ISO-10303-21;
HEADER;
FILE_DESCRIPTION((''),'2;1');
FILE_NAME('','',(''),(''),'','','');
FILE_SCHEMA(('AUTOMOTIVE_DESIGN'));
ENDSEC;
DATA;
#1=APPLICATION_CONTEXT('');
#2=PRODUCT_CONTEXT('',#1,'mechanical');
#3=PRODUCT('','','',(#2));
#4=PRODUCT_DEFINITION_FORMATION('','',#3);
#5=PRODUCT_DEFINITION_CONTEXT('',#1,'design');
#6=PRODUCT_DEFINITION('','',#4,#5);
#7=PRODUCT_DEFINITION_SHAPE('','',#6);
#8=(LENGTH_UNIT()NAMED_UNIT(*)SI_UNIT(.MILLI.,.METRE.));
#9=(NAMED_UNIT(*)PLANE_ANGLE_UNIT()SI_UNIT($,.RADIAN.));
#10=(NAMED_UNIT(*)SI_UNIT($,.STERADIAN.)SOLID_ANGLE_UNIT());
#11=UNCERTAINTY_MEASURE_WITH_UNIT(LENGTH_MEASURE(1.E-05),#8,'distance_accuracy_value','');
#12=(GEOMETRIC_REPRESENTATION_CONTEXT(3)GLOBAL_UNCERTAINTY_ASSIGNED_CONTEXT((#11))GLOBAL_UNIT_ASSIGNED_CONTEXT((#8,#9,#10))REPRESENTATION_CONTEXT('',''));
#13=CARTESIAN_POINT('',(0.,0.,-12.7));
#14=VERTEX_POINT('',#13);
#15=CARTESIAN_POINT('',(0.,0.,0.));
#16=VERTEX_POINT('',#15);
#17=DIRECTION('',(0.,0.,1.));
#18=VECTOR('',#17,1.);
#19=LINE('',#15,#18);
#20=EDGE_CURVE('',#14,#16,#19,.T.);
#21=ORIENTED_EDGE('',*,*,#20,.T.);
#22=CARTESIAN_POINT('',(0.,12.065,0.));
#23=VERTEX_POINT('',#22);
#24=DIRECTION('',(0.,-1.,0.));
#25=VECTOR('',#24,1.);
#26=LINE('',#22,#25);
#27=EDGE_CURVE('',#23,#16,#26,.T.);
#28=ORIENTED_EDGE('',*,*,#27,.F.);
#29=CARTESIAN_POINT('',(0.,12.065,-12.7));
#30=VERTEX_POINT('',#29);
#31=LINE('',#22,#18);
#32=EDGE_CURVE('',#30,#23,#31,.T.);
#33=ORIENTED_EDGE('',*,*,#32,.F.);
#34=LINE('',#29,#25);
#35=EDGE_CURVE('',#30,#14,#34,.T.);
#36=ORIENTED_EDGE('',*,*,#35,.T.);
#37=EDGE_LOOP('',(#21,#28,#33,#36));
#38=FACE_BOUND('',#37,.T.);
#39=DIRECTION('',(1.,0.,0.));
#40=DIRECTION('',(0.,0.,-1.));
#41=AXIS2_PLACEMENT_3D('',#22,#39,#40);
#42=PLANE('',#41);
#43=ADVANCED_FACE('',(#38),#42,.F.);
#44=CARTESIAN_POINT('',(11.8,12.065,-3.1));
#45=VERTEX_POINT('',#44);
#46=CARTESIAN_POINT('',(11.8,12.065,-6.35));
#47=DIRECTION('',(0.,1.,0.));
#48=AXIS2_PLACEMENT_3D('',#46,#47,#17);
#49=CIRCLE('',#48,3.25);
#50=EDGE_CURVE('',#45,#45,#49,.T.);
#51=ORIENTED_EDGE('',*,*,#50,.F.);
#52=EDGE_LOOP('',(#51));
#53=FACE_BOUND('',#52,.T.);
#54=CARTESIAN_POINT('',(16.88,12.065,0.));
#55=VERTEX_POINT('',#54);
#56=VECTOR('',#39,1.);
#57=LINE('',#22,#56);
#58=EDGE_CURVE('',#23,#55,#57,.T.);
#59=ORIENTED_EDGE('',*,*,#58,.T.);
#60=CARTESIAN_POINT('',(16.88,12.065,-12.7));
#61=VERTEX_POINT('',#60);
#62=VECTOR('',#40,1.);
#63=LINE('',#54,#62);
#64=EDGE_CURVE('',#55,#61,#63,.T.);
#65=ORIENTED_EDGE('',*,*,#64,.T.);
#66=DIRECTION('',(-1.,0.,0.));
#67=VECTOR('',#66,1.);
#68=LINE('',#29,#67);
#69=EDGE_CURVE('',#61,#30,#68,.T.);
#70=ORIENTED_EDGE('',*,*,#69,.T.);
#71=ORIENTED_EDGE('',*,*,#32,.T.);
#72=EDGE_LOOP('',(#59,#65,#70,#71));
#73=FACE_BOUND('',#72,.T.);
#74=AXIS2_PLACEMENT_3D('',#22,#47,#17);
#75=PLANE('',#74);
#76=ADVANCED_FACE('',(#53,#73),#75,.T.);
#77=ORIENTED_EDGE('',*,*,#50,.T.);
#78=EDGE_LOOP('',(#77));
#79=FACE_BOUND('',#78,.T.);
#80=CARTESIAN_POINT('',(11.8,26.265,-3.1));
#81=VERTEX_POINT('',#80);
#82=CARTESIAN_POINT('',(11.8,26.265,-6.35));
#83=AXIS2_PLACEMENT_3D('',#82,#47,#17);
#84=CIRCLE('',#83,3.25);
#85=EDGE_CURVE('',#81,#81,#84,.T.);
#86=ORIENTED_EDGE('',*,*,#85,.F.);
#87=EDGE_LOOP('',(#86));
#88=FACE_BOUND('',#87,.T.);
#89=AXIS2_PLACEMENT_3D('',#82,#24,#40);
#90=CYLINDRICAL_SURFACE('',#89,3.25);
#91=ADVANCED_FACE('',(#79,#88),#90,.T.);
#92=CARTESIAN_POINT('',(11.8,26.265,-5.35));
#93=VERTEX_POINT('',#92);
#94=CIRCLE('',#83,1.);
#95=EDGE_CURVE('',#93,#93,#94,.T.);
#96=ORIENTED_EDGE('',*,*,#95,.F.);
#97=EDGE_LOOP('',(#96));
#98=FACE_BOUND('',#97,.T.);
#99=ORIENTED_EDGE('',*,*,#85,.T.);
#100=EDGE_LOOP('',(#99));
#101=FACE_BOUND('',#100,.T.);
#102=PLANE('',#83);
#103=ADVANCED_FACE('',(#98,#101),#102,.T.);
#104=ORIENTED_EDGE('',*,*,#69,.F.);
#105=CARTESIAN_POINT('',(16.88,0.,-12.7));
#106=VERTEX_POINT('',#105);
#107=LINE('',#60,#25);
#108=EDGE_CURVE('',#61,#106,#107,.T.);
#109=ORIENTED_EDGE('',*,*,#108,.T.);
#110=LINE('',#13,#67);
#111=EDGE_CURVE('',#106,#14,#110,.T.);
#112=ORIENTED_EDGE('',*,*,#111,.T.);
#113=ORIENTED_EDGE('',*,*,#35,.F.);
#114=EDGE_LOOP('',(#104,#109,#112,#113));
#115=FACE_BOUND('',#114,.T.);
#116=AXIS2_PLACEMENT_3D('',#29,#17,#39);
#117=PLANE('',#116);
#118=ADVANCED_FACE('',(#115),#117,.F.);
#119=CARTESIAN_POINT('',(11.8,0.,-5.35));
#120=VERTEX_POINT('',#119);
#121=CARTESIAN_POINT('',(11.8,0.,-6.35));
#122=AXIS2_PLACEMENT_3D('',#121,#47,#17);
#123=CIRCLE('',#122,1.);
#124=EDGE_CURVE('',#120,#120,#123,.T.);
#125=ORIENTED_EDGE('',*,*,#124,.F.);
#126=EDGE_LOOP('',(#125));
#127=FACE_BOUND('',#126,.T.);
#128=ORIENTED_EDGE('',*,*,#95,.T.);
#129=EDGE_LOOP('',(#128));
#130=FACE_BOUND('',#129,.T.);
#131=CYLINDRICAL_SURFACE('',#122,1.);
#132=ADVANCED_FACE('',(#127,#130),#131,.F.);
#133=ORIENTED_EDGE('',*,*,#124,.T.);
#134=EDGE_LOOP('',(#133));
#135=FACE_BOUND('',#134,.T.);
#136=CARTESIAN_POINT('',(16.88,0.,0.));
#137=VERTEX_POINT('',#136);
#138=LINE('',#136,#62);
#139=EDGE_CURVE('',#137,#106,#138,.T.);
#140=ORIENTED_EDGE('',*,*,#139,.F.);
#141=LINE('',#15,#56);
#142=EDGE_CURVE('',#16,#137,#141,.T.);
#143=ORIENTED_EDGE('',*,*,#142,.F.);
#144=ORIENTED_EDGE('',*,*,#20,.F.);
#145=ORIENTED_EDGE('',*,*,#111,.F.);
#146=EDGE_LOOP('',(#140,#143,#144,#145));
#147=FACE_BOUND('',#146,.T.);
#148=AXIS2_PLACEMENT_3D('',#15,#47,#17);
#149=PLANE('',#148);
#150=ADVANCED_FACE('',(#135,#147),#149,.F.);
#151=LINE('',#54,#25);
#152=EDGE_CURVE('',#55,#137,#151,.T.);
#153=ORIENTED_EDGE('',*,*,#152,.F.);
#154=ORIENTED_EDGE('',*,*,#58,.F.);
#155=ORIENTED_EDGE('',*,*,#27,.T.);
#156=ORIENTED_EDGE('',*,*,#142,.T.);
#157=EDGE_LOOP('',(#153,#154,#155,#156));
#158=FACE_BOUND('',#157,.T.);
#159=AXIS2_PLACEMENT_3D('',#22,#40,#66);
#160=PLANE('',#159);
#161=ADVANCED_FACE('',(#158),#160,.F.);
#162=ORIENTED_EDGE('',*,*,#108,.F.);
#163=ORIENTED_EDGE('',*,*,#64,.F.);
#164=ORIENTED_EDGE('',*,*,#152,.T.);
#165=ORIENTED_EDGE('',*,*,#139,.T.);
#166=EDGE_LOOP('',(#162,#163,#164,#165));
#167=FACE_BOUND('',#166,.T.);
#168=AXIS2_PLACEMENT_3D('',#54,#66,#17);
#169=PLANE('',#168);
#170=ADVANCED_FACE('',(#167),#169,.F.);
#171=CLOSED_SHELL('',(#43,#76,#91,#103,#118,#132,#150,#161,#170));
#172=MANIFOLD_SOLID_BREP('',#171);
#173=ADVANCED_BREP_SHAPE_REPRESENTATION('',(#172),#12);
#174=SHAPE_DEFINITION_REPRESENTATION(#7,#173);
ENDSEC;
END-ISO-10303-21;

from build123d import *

# Parameters (mm, degrees)
SKETCH1_W           = 16.88
SKETCH1_H           = 12.7
BOSS_EXTRUDE1_DEPTH = 12.065
SKETCH3_R           = 3.25
BOSS_EXTRUDE2_DEPTH = 14.2
SKETCH4_R           = 1
CUT_EXTRUDE1_DEPTH  = 27.265


with BuildPart() as part:
    # Sketch1 → Boss-Extrude1 (new body)
    with BuildSketch(Plane(origin=(0, 0, 0), x_dir=(1, 0, 0), z_dir=(0, 1, 0))):
        with Locations((8.44, 6.35)):
            Rectangle(SKETCH1_W, SKETCH1_H)
    extrude(amount=BOSS_EXTRUDE1_DEPTH)

    # Sketch3 → Boss-Extrude2 (add)
    with BuildSketch(Plane(origin=(0, 12.065, 0), x_dir=(1, 0, 0), z_dir=(0, 1, 0))):
        with Locations((11.8, 6.35)):
            Circle(SKETCH3_R)
    extrude(amount=BOSS_EXTRUDE2_DEPTH)

    # Sketch4 → Cut-Extrude1 (cut, through all)
    with BuildSketch(Plane(origin=(0, 26.265, 0), x_dir=(1, 0, 0), z_dir=(0, 1, 0))):
        with Locations((11.8, 6.35)):
            Circle(SKETCH4_R)
    extrude(amount=-CUT_EXTRUDE1_DEPTH, mode=Mode.SUBTRACT)


solid = part.part
